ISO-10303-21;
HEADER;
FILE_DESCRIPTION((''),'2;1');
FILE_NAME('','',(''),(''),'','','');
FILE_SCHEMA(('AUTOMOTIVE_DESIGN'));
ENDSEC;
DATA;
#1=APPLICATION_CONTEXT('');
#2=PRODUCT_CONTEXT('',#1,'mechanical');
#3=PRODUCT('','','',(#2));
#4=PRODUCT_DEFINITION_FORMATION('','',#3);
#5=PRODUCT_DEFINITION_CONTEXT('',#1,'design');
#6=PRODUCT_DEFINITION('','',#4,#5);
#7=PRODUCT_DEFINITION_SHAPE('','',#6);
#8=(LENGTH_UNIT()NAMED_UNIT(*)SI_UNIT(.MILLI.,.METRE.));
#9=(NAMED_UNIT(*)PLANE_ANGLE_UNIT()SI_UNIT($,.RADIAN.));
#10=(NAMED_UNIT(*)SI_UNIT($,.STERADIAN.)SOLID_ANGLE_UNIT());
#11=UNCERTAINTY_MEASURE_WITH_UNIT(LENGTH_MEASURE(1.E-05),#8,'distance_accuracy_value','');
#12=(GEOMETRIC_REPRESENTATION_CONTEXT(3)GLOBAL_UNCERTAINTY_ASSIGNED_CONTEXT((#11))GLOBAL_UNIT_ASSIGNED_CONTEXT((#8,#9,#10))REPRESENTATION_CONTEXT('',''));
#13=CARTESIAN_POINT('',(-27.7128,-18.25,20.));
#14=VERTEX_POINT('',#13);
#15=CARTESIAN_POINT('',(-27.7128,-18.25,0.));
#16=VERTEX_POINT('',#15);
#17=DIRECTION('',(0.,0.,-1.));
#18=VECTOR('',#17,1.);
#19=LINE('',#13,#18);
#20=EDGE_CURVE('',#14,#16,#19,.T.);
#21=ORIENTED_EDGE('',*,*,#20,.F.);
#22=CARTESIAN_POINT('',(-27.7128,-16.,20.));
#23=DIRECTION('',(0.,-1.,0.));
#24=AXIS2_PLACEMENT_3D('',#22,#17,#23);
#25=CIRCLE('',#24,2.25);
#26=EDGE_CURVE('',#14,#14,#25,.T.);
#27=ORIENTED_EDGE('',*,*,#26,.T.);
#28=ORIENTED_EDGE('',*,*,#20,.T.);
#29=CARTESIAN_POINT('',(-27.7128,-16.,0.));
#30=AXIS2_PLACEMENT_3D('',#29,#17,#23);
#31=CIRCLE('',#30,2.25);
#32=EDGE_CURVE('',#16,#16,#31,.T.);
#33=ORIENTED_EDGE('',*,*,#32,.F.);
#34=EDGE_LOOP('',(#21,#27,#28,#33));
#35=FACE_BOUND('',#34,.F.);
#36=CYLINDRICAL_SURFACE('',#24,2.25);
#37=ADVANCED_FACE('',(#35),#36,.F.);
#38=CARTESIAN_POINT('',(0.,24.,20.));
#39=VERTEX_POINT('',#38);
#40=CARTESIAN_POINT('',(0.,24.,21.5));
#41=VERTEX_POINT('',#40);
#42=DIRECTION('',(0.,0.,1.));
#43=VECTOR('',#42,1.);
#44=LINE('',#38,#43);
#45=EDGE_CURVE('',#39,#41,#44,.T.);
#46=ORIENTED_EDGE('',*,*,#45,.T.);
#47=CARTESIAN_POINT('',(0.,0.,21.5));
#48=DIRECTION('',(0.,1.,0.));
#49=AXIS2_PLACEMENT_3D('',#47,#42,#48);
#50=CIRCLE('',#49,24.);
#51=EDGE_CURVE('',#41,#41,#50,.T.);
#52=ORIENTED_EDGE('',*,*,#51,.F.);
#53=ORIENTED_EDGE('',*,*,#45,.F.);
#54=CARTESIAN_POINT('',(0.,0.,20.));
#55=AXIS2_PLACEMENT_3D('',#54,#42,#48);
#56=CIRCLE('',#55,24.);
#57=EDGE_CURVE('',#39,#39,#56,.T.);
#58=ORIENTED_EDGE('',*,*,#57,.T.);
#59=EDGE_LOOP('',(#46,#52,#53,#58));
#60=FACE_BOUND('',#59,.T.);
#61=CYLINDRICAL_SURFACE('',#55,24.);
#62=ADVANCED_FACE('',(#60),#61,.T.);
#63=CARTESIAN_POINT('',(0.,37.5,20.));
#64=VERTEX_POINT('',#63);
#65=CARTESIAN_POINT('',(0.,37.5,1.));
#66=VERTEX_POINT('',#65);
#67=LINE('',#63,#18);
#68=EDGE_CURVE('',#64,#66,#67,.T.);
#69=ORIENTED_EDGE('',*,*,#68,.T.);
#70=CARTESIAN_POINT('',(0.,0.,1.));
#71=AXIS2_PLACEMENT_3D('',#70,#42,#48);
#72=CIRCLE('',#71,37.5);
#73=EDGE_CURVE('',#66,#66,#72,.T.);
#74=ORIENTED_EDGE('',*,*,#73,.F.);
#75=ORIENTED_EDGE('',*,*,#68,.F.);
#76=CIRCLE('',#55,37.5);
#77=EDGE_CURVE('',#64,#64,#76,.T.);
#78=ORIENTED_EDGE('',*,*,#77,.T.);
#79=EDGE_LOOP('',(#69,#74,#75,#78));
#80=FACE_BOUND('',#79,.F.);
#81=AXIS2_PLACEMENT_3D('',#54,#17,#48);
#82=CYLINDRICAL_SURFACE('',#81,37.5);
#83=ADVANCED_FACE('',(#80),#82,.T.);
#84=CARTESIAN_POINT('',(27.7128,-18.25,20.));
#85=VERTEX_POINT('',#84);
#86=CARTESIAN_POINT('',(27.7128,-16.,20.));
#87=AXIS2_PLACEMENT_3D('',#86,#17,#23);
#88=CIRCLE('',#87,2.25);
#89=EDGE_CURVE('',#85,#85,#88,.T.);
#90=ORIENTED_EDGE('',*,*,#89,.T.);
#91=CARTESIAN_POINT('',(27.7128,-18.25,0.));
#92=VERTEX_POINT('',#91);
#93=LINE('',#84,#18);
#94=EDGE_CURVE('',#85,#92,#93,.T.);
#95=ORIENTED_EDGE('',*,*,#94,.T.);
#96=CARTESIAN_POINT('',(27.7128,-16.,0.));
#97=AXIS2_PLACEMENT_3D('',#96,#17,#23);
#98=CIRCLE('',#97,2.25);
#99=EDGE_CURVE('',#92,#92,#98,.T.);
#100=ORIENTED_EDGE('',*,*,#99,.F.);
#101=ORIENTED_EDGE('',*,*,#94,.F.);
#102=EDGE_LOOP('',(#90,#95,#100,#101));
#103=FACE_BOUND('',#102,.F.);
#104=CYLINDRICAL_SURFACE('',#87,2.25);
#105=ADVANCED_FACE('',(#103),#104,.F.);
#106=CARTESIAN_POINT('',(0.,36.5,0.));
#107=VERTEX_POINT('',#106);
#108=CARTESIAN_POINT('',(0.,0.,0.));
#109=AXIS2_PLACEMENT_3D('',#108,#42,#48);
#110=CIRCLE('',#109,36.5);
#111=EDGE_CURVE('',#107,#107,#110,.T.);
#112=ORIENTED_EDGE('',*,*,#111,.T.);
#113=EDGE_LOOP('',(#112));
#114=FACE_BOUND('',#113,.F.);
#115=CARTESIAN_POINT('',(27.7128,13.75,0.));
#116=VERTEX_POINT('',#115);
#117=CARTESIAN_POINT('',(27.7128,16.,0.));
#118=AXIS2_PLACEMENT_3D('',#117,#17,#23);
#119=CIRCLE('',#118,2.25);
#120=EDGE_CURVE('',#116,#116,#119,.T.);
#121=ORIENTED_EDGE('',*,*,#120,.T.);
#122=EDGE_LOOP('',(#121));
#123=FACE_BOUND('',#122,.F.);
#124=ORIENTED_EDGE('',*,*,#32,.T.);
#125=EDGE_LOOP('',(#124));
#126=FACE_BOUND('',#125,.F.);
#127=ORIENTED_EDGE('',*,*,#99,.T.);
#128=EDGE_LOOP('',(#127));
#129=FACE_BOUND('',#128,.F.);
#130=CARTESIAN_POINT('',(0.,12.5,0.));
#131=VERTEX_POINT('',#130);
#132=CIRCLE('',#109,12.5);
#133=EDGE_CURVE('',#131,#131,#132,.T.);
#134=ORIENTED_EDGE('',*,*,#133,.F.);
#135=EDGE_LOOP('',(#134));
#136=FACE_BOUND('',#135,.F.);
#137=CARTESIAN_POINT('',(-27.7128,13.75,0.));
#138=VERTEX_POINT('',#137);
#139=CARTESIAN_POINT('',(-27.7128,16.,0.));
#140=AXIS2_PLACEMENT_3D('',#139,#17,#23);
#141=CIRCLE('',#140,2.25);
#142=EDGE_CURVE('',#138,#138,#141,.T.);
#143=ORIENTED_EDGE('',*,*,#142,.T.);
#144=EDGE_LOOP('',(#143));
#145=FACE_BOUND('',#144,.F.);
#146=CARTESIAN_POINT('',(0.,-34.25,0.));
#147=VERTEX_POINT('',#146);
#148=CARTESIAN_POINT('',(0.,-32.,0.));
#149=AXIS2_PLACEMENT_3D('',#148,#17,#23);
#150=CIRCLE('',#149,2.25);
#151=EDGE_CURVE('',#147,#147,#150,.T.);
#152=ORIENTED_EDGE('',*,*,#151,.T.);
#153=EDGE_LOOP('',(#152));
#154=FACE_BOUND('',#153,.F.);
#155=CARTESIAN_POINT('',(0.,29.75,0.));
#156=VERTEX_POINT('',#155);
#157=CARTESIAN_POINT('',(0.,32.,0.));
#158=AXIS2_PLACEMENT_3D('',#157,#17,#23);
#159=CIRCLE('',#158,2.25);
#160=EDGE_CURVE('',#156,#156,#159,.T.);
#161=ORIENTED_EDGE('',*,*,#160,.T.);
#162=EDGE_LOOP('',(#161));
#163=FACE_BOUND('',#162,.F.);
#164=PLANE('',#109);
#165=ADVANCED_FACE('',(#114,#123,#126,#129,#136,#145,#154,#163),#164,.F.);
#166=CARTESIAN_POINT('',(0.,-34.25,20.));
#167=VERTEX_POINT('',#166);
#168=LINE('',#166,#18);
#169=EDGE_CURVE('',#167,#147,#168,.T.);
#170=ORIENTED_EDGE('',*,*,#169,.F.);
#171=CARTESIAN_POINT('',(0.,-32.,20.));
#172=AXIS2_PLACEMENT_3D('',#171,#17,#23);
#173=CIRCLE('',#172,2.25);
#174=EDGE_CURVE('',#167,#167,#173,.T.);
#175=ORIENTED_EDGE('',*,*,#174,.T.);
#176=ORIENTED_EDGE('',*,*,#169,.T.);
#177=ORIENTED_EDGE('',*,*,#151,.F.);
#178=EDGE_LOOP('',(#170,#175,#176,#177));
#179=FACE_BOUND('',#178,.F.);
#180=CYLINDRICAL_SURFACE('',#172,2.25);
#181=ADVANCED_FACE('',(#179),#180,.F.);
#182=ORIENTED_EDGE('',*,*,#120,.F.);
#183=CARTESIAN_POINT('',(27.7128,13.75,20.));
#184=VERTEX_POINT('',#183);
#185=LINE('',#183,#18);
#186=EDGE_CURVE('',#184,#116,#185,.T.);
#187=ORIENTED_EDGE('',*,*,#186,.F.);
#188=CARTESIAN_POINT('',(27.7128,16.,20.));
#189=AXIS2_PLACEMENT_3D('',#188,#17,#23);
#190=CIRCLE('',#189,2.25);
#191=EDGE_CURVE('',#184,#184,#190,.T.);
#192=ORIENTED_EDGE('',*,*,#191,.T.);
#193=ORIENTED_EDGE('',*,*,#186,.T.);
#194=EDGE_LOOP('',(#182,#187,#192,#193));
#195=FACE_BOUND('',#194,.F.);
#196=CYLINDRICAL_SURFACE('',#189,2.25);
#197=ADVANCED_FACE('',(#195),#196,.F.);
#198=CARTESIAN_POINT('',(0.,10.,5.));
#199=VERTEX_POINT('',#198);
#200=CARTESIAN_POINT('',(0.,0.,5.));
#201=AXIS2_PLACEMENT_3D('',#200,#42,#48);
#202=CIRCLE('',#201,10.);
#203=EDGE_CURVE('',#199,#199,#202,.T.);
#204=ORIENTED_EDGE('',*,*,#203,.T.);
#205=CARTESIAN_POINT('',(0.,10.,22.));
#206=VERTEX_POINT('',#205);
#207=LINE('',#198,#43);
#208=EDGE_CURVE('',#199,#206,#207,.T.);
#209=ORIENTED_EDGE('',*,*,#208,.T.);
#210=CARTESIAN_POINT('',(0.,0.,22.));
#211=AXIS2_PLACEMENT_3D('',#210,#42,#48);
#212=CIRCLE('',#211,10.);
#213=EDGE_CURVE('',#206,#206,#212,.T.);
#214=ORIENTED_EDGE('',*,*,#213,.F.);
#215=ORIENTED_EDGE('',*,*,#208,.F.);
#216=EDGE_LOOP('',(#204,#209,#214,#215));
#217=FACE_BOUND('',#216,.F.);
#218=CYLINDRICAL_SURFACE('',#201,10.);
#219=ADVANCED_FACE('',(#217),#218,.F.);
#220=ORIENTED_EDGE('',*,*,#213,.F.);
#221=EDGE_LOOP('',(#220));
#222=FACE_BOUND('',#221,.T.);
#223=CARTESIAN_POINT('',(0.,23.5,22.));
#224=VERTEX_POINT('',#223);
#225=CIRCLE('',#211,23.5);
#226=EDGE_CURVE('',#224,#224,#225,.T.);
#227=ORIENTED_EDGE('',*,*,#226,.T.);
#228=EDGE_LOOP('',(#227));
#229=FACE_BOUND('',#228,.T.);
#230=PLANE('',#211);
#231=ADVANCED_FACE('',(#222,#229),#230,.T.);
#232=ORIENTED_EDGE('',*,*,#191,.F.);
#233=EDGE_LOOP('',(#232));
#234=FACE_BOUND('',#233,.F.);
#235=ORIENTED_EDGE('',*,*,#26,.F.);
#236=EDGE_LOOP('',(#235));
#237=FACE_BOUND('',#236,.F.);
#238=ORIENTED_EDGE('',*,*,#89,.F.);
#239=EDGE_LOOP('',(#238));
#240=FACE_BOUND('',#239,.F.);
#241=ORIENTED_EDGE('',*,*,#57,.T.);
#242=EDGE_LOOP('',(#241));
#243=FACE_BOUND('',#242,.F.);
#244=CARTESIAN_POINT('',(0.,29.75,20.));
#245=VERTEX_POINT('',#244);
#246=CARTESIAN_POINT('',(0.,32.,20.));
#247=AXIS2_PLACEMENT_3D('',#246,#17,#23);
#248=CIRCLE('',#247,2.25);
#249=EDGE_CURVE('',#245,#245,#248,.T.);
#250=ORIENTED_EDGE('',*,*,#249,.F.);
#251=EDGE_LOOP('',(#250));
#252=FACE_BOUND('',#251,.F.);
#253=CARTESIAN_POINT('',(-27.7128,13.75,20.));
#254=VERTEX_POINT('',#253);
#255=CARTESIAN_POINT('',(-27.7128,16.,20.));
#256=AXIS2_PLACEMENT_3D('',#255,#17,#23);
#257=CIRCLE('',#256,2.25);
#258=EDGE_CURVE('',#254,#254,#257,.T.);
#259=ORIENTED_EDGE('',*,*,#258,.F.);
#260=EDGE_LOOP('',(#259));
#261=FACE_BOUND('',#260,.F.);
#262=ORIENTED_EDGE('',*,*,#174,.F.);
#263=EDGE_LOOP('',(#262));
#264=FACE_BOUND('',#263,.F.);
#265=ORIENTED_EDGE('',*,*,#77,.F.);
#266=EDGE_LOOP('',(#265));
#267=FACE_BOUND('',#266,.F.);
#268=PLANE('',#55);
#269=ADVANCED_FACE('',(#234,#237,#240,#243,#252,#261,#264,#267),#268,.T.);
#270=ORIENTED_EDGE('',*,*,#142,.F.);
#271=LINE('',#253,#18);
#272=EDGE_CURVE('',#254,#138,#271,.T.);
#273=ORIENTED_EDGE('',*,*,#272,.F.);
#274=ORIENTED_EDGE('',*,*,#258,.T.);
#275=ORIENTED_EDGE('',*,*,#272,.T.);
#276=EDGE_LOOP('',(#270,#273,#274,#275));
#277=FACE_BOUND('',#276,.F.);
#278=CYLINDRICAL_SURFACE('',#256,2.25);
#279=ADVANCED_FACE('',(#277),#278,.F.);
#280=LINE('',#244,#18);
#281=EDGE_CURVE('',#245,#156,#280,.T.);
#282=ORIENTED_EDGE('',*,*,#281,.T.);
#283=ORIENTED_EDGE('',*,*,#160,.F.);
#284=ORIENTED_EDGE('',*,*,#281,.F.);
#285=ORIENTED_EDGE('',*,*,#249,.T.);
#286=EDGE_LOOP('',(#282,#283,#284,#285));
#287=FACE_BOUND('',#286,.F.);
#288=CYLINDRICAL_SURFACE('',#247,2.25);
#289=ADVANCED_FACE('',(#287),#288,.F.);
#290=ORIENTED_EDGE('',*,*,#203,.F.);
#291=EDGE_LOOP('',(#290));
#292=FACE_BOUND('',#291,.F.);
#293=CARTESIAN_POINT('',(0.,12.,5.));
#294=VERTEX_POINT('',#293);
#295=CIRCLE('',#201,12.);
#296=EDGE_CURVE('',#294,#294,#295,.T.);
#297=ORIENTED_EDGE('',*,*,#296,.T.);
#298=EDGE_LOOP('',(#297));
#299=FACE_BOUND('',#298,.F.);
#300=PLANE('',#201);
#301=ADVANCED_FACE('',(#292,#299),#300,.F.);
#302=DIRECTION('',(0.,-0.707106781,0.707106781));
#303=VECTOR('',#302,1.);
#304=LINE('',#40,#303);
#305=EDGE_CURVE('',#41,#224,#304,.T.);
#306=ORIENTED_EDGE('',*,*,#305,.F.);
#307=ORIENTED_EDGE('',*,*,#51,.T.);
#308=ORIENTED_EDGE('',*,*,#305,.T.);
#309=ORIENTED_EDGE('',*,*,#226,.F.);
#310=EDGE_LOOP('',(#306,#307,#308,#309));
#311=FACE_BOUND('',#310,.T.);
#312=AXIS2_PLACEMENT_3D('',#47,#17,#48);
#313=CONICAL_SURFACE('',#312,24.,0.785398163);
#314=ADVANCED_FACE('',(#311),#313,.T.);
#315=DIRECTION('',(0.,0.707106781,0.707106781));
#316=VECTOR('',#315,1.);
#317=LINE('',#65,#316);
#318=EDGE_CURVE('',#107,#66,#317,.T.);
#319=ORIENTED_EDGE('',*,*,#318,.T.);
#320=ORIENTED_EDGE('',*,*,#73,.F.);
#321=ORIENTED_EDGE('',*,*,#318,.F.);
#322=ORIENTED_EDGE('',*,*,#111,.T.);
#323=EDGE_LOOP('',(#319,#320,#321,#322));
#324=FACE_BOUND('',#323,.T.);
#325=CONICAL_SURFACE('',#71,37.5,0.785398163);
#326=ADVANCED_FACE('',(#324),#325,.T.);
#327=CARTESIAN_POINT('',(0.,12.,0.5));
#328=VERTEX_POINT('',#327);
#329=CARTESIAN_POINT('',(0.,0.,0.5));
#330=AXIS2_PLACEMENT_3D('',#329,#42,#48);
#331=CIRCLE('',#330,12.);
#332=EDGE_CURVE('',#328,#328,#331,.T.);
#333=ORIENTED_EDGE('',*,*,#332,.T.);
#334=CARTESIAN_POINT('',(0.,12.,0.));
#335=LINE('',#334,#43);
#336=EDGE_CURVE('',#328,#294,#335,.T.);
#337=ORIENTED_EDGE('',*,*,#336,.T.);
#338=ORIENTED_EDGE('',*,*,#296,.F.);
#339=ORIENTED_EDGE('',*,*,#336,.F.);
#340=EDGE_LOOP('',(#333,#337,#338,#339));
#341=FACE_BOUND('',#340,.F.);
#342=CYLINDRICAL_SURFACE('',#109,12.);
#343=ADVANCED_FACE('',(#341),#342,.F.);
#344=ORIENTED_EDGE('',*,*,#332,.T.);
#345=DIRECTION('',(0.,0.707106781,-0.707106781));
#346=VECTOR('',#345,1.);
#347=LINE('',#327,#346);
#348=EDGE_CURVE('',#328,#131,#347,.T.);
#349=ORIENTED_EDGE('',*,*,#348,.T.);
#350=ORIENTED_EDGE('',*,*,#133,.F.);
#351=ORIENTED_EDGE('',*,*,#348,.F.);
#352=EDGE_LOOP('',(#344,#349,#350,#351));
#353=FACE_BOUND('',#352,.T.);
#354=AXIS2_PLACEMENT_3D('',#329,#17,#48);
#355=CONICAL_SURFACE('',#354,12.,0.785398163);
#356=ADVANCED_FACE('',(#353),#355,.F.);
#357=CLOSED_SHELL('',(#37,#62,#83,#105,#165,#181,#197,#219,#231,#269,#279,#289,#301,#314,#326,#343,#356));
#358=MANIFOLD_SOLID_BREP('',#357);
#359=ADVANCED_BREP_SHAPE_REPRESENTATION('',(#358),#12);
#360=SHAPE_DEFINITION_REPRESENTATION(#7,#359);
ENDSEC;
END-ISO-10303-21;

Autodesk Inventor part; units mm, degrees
ref_plane "YZ Plane" through (0, 0, 0) normal (1, 0, 0) x (0, 1, 0)
ref_plane "XZ Plane" through (0, 0, 0) normal (0, 1, 0) x (-1, 0, 0)
ref_plane "XY Plane" through (0, 0, 0) normal (0, 0, 1) x (1, 0, 0)
sketch "スケッチ1" plane through (0, 0, 0) normal (1, 0, 0) x (0, 1, 0)
  line L0 (12, 0) -> (12, 5)
  line L1 (12, 5) -> (10, 5)
  line L2 (10, 5) -> (10, 22)
  line L3 (24, 20) -> (37.5, 20)
  line L4 (37.5, 20) -> (37.5, 0)
  line L5 (37.5, 0) -> (12, 0)
  line L6 (0, -4.4) -> (0, 26.4) projected
  line L7 (24, 20) -> (24, 22)
  line L8 (24, 22) -> (10, 22)
  point P0 (0, 0)
  dimension "d0" = 12
  dimension "d1" = 37.5
  dimension "d2" = 2
  dimension "d3" = 5
  dimension "d5" = 20
  dimension "d28" = 2
  dimension "d29" = 24
revolve "回転1" add sketch "スケッチ1" angle 360 about axis through (0, 0, -10) along (0, 0, 1)
chamfer "面取り1" distance 0.5 angle 45 1 edges at (0, -12, 0)
sketch "スケッチ2" plane through (0, 0, 20) normal (0, 0, 1) x (1, 0, 0)
  circle A0 centre (0, 0) radius 32
  point P0 (0, 32)
  point P1 (-27.7128, 16)
  point P2 (-27.7128, -16)
  point P3 (0, -32)
  point P4 (27.7128, -16)
  point P5 (27.7128, 16)
  dimension "d10" = 64
  dimension "d13" = 360
hole "穴1" at (0, 32, 20) at (-27.7128, 16, 20) at (-27.7128, -16, 20) at (0, -32, 20) at (27.7128, -16, 20) at (27.7128, 16, 20) direction (0, 0, -1) diameter 4.5 end through all clearance for "Flat Head Machine Screw" size "M4" standard "Ansi Metric M Profile"
chamfer "面取り2" distance 1 angle 45 1 edges at (0, -37.5, 0)
chamfer "面取り3" distance 0.5 angle 45 1 edges at (0, -24, 22)
properties part number "unit-base2" material "ABS プラスチック"
